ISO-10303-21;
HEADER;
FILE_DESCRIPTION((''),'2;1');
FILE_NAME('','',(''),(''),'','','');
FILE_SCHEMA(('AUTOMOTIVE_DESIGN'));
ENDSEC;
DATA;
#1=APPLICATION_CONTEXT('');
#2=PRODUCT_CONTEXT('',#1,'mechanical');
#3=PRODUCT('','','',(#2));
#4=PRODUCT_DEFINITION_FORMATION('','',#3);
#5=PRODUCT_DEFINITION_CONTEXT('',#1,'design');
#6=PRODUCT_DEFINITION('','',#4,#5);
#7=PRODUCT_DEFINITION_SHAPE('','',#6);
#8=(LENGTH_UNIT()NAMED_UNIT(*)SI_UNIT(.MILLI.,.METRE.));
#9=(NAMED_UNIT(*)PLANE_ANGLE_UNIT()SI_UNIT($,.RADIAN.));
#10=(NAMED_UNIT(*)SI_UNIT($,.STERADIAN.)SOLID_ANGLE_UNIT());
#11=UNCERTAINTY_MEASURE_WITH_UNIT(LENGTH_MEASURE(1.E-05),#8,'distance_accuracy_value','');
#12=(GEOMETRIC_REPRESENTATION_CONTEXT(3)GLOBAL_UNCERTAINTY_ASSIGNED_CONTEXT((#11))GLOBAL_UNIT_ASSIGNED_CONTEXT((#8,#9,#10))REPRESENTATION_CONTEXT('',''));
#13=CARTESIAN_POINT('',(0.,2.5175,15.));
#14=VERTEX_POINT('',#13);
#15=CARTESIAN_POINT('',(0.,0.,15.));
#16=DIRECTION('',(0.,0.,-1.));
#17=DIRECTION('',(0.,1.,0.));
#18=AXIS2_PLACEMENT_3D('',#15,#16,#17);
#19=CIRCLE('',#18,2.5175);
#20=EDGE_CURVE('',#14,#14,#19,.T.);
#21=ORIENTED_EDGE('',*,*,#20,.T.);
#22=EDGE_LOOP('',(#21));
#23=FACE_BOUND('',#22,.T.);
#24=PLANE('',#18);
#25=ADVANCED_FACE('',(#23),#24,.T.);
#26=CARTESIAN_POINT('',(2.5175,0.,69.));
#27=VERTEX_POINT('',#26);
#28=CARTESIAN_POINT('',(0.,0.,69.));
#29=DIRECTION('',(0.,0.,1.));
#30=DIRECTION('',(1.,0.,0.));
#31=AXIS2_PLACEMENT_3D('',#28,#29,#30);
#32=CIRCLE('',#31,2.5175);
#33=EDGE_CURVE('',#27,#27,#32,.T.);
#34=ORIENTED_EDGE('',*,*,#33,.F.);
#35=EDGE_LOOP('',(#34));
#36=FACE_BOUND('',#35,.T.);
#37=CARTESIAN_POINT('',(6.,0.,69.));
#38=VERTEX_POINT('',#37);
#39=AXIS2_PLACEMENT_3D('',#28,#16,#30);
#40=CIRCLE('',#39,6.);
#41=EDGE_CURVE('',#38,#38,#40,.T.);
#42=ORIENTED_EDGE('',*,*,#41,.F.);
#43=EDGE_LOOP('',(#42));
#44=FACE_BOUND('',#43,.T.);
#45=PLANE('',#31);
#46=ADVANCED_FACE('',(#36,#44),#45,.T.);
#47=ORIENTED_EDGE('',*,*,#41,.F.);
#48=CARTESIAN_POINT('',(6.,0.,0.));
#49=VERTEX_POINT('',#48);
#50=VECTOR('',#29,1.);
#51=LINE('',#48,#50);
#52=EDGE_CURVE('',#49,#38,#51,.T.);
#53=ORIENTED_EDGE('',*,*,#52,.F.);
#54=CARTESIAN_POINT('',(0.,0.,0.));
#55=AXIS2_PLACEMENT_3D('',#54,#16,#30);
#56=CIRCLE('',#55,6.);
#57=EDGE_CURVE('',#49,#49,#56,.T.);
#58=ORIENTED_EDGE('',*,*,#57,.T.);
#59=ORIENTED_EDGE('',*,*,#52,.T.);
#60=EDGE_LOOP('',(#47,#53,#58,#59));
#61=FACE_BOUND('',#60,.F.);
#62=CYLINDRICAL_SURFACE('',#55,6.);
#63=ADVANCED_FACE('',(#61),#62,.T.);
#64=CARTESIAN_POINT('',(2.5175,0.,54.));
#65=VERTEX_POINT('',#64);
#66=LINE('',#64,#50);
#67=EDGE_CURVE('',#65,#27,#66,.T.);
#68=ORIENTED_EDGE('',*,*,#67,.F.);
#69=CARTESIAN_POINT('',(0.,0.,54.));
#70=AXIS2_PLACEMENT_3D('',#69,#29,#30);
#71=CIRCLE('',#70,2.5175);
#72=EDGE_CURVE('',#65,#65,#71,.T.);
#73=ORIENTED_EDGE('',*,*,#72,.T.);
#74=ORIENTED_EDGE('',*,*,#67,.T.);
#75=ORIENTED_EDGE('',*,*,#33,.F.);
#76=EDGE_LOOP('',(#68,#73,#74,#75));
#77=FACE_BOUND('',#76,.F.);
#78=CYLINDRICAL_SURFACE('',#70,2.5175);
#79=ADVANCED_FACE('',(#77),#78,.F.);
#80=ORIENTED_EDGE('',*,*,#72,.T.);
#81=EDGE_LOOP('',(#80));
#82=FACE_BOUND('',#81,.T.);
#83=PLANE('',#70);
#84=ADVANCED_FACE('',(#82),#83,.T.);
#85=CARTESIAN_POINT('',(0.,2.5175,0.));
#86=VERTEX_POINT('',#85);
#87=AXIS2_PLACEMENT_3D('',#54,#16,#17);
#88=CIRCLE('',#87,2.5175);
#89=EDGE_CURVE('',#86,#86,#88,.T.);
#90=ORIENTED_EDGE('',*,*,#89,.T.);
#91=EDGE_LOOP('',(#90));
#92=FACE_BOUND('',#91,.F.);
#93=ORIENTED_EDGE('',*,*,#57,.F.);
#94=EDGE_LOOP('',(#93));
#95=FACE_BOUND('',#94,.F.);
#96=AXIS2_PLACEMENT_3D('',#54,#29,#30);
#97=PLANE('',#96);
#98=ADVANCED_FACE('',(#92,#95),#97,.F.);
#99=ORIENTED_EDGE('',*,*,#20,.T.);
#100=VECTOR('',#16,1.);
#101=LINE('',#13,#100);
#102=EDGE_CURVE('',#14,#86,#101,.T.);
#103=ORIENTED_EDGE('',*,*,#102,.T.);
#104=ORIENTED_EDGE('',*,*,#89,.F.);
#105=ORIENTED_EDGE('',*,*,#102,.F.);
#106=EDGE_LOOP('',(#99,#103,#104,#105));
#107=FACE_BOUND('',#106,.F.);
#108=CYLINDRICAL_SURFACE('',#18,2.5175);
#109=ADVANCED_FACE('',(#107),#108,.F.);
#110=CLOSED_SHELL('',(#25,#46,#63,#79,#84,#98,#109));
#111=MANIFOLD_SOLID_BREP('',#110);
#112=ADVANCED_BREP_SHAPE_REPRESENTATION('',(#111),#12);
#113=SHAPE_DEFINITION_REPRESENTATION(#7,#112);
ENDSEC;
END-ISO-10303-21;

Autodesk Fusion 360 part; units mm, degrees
sketch "スケッチ1" plane through (0, 0, 0) normal (0, 0, 1) x (1, 0, 0)
  circle A0 centre (0, 0) radius 6
  dimension "d1" = 12
extrude "押し出し1" add sketch "スケッチ1" along normal blind 69
cylinder "円柱プリミティブ1" cut diameter 6 height -15 placed x (1, 0, 0) y (0, 1, 0) z (0, 0, 1) at (0, 0, 69)
thread "ねじ1" "ISO Metric profile 6.0 M6x1 6H" major diameter 6.147 minor diameter 5.035 pitch 1 angle 60 resizes the face on face at (2.9851, -0.2987, 59)
cylinder "円柱プリミティブ2" cut diameter 6 height -15 placed x (0, 1, 0) y (1, 0, 0) z (0, 0, -1) at (0, 0, 0)
thread "ねじ2" "ISO Metric profile 6.0 M6x1 6H" major diameter 6.147 minor diameter 5.035 pitch 1 angle 60 resizes the face on face at (-0.2987, 2.9851, 10)
